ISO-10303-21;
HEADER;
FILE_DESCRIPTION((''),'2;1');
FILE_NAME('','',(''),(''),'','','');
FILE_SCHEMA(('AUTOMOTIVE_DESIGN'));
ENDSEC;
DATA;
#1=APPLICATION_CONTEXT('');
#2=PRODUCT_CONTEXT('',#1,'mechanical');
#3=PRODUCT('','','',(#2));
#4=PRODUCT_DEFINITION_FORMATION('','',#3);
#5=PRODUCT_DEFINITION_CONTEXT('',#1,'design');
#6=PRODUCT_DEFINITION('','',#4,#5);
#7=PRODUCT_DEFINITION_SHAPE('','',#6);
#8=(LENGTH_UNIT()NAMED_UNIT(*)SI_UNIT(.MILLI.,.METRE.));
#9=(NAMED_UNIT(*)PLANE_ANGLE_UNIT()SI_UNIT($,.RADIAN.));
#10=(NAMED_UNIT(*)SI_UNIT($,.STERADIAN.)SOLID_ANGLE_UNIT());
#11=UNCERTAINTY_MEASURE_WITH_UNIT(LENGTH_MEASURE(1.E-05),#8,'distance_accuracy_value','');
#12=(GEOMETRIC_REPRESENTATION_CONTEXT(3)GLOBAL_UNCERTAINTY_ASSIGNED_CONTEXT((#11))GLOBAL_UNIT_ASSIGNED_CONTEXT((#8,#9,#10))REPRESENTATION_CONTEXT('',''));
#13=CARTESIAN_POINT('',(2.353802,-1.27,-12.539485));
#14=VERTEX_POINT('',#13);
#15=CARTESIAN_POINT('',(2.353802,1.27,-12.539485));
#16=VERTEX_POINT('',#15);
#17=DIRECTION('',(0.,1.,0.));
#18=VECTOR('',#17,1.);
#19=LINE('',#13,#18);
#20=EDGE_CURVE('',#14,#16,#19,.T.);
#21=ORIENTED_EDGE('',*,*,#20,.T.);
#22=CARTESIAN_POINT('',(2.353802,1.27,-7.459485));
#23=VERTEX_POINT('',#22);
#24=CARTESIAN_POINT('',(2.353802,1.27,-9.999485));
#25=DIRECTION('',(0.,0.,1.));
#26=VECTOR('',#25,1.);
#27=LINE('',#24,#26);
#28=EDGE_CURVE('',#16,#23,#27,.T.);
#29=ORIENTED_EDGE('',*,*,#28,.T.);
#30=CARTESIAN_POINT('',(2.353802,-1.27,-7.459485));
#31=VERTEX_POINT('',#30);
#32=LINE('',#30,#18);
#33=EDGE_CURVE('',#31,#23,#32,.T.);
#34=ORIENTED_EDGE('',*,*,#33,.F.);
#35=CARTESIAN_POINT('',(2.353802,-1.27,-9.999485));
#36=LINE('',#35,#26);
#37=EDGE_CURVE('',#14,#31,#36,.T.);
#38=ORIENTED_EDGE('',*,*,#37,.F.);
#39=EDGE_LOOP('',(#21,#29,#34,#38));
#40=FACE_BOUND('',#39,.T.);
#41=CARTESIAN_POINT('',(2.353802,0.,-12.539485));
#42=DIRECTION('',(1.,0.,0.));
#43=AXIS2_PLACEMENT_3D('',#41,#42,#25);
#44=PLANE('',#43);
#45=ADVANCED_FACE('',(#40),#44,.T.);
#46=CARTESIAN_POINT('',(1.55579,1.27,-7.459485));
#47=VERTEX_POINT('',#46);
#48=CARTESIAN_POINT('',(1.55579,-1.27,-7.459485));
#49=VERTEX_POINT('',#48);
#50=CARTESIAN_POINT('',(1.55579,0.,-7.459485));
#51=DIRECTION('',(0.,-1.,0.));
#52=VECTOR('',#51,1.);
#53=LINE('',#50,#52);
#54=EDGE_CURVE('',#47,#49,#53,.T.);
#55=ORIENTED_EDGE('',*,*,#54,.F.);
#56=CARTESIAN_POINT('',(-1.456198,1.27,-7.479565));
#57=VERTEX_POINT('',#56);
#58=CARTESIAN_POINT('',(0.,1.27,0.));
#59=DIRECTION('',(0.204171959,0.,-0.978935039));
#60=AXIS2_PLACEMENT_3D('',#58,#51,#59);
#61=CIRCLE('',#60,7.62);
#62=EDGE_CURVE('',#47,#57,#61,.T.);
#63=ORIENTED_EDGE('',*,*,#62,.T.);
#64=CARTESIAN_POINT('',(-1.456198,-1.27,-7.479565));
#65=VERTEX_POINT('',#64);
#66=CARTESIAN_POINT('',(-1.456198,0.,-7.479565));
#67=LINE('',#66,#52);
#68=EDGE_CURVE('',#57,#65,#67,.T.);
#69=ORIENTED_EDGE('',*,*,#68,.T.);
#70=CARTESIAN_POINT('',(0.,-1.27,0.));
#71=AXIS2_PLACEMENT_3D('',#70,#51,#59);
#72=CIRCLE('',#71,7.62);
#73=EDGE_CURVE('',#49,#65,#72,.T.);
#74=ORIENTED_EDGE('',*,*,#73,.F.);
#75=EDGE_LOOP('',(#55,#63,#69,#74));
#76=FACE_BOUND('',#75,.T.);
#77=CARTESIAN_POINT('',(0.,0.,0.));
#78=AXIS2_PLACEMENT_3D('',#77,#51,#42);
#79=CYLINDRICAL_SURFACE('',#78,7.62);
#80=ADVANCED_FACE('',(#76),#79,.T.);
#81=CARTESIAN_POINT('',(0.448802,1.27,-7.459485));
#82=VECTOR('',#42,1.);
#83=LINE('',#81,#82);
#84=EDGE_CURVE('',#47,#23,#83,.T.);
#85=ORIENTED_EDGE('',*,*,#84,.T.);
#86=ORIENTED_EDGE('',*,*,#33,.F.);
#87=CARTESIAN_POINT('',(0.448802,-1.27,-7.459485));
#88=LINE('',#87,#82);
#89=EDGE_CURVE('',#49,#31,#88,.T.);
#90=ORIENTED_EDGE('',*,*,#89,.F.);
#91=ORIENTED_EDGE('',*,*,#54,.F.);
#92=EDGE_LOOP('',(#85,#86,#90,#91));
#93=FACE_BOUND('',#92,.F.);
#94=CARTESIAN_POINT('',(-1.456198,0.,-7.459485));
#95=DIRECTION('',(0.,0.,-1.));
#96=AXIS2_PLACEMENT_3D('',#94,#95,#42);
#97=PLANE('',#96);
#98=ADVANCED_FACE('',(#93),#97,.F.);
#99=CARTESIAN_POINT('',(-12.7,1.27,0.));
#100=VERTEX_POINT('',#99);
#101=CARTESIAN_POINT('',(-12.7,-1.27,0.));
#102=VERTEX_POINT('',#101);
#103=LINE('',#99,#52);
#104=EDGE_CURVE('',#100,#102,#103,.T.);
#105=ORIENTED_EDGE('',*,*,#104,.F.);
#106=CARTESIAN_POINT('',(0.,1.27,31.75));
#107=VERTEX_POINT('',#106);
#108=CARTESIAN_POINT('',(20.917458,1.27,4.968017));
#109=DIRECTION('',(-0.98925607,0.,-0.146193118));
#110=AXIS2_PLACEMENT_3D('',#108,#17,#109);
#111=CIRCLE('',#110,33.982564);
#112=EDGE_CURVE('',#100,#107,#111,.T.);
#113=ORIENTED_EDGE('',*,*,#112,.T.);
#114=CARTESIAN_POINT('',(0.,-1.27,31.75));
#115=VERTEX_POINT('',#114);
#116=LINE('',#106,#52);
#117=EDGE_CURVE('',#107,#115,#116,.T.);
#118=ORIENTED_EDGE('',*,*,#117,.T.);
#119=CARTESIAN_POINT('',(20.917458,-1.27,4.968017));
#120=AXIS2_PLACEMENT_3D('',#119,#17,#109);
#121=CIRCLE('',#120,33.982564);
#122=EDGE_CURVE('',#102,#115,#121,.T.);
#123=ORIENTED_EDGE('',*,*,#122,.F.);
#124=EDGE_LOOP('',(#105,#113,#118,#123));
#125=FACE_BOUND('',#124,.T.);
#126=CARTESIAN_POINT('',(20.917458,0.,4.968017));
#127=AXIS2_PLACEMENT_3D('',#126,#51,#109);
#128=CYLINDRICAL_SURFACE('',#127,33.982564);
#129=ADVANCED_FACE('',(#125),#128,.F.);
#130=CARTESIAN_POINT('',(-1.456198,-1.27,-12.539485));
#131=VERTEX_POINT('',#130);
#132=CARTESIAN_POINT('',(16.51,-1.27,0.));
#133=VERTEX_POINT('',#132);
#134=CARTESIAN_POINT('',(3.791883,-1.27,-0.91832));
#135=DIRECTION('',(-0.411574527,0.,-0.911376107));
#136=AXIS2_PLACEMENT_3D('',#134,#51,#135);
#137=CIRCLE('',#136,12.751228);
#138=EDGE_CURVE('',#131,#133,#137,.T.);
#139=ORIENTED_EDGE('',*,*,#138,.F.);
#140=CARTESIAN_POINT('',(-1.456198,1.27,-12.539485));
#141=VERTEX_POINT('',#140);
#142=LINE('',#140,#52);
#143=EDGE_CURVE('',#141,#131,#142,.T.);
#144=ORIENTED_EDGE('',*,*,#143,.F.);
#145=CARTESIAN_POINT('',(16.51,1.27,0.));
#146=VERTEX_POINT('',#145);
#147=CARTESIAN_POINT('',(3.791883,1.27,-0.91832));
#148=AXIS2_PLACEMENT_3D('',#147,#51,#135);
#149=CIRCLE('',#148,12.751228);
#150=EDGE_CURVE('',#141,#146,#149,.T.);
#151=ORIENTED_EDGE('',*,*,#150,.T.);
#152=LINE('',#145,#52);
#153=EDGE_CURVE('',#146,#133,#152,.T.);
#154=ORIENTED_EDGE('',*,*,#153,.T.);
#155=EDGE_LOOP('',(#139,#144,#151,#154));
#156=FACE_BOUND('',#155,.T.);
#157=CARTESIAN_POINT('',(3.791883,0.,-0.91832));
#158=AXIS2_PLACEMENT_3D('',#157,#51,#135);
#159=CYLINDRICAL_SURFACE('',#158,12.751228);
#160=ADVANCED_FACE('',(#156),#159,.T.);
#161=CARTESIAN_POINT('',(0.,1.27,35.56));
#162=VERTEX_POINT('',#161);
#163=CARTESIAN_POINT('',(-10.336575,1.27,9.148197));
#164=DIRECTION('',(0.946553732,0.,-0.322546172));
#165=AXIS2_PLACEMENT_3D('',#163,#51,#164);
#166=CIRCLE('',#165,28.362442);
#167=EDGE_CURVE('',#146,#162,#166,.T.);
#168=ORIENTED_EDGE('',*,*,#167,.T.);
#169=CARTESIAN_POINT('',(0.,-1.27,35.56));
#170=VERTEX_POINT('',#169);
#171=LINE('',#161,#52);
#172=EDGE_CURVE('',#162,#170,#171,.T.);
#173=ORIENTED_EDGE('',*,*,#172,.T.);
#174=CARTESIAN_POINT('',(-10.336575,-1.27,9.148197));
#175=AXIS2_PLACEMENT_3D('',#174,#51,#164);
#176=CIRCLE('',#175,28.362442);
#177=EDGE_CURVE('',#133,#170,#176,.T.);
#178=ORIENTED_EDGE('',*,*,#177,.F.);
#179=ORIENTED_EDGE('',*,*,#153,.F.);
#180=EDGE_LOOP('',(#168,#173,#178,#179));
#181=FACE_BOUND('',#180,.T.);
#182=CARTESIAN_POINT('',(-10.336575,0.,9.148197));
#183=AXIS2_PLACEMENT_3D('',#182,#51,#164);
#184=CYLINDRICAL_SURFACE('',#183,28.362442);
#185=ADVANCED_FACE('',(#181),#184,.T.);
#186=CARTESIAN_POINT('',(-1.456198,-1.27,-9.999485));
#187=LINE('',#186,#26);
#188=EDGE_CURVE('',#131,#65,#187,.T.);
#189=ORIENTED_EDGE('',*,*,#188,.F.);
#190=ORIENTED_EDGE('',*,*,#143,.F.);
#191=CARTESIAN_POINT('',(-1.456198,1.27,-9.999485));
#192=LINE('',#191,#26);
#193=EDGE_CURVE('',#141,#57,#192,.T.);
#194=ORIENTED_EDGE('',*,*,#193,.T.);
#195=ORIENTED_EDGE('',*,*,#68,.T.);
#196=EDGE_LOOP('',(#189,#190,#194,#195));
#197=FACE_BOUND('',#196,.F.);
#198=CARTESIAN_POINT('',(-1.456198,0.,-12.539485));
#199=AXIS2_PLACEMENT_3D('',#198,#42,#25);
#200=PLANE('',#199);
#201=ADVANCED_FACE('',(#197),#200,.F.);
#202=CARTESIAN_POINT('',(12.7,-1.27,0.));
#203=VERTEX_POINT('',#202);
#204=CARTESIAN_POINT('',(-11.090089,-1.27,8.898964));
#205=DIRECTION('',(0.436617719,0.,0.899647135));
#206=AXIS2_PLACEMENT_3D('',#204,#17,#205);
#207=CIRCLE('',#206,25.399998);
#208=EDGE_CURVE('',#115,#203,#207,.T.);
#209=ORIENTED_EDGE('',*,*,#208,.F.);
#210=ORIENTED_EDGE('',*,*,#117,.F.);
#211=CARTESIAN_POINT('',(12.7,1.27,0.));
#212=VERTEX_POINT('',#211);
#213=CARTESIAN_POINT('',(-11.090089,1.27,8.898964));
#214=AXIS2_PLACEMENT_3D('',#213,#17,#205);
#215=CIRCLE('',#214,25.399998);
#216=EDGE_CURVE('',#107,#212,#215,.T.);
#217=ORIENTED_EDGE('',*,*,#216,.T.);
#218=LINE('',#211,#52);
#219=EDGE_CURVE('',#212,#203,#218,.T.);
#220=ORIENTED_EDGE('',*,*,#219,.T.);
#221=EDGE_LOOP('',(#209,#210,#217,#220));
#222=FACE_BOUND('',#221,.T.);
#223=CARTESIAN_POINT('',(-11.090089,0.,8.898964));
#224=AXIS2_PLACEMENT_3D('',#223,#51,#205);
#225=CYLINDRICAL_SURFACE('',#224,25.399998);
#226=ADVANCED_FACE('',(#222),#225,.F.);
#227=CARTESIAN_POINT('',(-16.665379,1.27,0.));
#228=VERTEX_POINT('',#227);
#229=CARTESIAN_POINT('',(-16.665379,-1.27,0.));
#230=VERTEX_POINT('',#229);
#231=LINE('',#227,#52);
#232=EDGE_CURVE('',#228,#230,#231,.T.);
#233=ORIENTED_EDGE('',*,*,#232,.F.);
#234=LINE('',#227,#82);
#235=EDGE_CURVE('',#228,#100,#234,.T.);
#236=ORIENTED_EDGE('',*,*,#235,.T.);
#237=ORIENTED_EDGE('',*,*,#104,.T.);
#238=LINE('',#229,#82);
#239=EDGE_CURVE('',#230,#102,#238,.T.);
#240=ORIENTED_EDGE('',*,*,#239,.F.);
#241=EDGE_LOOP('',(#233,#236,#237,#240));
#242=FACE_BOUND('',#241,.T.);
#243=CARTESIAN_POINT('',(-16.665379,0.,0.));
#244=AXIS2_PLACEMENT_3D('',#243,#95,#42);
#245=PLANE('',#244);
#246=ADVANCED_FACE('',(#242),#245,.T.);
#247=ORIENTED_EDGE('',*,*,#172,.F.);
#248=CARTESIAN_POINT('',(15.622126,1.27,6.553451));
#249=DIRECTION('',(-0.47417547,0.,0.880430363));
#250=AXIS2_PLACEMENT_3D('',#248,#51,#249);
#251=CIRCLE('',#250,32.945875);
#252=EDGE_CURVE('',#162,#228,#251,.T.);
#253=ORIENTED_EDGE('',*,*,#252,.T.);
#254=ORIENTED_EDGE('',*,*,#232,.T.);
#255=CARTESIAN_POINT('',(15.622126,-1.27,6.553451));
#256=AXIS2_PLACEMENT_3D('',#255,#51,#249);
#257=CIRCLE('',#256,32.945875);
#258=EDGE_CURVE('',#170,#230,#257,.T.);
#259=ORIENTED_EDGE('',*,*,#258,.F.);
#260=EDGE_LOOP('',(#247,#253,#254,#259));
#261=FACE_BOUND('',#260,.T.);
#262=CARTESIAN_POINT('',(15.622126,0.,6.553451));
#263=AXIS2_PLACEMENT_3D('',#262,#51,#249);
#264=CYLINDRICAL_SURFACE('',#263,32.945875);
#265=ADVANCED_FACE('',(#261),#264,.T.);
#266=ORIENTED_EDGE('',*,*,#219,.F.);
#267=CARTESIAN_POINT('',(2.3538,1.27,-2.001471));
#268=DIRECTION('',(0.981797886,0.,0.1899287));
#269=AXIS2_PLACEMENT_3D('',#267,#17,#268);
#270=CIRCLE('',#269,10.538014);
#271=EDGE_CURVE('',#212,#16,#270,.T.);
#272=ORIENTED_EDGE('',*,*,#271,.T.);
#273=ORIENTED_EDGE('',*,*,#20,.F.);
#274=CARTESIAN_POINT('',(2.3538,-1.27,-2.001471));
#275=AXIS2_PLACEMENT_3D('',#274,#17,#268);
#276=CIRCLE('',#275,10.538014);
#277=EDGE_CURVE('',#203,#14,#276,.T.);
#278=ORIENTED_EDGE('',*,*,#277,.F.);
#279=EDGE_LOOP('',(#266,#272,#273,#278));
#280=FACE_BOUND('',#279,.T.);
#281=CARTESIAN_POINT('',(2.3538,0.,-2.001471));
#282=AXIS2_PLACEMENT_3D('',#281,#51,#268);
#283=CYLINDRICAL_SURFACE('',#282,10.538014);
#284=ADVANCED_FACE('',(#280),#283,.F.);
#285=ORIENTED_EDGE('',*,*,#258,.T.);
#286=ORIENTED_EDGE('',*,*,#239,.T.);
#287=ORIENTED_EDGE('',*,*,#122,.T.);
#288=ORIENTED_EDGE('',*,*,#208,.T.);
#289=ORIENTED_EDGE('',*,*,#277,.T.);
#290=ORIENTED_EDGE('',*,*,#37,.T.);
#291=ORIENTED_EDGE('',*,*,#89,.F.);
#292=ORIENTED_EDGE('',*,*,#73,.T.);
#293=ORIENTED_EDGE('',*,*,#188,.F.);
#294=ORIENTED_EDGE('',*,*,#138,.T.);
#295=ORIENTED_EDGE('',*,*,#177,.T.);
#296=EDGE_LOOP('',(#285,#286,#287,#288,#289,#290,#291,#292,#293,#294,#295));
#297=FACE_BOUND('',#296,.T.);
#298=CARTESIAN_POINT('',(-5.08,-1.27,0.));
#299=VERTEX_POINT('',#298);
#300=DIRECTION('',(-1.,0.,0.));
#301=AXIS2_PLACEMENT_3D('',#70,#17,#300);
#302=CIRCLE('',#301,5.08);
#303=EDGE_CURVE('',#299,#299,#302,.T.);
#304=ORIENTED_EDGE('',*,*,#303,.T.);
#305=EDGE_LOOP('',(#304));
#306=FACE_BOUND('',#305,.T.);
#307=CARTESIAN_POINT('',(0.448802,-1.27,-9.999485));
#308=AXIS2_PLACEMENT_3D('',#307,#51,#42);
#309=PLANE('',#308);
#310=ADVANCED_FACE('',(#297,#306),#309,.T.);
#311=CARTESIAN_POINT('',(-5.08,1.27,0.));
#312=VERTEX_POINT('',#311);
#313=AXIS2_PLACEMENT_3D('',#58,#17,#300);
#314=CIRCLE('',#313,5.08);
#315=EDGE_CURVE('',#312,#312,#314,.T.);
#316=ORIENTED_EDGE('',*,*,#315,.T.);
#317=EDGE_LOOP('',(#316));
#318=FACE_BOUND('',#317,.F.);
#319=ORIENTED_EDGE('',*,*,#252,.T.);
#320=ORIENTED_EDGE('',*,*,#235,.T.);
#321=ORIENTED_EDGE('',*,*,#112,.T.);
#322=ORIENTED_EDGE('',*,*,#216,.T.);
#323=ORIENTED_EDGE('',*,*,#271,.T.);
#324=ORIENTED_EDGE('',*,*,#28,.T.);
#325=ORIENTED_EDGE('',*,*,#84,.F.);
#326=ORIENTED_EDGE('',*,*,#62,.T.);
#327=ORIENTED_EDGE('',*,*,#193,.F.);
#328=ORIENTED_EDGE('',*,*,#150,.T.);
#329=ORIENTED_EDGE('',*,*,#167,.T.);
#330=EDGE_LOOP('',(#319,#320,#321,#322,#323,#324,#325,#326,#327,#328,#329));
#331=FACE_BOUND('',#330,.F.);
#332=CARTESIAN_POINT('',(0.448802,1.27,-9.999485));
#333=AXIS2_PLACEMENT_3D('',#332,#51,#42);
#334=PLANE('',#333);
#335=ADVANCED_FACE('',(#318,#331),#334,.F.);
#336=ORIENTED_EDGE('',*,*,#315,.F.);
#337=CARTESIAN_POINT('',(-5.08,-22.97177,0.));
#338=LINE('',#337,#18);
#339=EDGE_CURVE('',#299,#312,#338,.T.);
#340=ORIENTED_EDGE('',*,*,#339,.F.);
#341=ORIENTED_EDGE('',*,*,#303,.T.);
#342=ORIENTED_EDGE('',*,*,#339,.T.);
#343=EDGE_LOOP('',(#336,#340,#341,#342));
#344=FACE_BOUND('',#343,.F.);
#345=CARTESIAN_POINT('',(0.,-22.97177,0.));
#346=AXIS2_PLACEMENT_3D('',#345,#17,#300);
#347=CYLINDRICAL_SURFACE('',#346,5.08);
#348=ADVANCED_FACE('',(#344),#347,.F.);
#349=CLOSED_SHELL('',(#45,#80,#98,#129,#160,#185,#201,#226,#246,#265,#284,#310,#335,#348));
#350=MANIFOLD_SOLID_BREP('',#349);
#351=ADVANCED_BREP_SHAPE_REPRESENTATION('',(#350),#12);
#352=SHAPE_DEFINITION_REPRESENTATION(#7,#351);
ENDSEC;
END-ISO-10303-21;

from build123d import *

# Parameters (mm, degrees)
F0_R     = 7.62
F1_DEPTH = 1.27
F3_D     = 10.16
F4_W     = 3.81
F4_H     = 5.08
F5_DEPTH = 1.27


with BuildPart() as f1:
    # F0 (on Front) → F1 (new body, symmetric)
    with BuildSketch(Plane.XZ):
        Circle(F0_R)
    extrude(amount=F1_DEPTH, both=True)

    # F3 (through all)
    with Locations(Plane.XZ.offset(1.27)):
        with Locations((0, 0)):
            Hole(F3_D / 2)

    # F4 (on Front) → F5 (join, symmetric)
    with BuildSketch(Plane.XZ):
        with Locations((0.448802, -9.999485)):
            Rectangle(F4_W, F4_H)
        with BuildLine():
            Line((2.353802, -12.539485), (-1.456198, -12.539485))
            ThreePointArc((-1.456198, -12.539485), (11.08983, -11.3746), (16.51, 0))
            ThreePointArc((16.51, 0), (15.388414, 21.091942), (0, 35.56))
            ThreePointArc((0, 35.56), (-14.210098, 20.534478), (-16.665379, 0))
            Line((-16.665379, 0), (-12.7, 0))
            ThreePointArc((-12.7, 0), (-10.634561, 17.588824), (0, 31.75))
            ThreePointArc((0, 31.75), (12.493217, 18.332287), (12.7, 0))
            ThreePointArc((12.7, 0), (10.482185, -8.708117), (2.353802, -12.539485))
        make_face()
    extrude(amount=F5_DEPTH, both=True)


solid = f1.part
